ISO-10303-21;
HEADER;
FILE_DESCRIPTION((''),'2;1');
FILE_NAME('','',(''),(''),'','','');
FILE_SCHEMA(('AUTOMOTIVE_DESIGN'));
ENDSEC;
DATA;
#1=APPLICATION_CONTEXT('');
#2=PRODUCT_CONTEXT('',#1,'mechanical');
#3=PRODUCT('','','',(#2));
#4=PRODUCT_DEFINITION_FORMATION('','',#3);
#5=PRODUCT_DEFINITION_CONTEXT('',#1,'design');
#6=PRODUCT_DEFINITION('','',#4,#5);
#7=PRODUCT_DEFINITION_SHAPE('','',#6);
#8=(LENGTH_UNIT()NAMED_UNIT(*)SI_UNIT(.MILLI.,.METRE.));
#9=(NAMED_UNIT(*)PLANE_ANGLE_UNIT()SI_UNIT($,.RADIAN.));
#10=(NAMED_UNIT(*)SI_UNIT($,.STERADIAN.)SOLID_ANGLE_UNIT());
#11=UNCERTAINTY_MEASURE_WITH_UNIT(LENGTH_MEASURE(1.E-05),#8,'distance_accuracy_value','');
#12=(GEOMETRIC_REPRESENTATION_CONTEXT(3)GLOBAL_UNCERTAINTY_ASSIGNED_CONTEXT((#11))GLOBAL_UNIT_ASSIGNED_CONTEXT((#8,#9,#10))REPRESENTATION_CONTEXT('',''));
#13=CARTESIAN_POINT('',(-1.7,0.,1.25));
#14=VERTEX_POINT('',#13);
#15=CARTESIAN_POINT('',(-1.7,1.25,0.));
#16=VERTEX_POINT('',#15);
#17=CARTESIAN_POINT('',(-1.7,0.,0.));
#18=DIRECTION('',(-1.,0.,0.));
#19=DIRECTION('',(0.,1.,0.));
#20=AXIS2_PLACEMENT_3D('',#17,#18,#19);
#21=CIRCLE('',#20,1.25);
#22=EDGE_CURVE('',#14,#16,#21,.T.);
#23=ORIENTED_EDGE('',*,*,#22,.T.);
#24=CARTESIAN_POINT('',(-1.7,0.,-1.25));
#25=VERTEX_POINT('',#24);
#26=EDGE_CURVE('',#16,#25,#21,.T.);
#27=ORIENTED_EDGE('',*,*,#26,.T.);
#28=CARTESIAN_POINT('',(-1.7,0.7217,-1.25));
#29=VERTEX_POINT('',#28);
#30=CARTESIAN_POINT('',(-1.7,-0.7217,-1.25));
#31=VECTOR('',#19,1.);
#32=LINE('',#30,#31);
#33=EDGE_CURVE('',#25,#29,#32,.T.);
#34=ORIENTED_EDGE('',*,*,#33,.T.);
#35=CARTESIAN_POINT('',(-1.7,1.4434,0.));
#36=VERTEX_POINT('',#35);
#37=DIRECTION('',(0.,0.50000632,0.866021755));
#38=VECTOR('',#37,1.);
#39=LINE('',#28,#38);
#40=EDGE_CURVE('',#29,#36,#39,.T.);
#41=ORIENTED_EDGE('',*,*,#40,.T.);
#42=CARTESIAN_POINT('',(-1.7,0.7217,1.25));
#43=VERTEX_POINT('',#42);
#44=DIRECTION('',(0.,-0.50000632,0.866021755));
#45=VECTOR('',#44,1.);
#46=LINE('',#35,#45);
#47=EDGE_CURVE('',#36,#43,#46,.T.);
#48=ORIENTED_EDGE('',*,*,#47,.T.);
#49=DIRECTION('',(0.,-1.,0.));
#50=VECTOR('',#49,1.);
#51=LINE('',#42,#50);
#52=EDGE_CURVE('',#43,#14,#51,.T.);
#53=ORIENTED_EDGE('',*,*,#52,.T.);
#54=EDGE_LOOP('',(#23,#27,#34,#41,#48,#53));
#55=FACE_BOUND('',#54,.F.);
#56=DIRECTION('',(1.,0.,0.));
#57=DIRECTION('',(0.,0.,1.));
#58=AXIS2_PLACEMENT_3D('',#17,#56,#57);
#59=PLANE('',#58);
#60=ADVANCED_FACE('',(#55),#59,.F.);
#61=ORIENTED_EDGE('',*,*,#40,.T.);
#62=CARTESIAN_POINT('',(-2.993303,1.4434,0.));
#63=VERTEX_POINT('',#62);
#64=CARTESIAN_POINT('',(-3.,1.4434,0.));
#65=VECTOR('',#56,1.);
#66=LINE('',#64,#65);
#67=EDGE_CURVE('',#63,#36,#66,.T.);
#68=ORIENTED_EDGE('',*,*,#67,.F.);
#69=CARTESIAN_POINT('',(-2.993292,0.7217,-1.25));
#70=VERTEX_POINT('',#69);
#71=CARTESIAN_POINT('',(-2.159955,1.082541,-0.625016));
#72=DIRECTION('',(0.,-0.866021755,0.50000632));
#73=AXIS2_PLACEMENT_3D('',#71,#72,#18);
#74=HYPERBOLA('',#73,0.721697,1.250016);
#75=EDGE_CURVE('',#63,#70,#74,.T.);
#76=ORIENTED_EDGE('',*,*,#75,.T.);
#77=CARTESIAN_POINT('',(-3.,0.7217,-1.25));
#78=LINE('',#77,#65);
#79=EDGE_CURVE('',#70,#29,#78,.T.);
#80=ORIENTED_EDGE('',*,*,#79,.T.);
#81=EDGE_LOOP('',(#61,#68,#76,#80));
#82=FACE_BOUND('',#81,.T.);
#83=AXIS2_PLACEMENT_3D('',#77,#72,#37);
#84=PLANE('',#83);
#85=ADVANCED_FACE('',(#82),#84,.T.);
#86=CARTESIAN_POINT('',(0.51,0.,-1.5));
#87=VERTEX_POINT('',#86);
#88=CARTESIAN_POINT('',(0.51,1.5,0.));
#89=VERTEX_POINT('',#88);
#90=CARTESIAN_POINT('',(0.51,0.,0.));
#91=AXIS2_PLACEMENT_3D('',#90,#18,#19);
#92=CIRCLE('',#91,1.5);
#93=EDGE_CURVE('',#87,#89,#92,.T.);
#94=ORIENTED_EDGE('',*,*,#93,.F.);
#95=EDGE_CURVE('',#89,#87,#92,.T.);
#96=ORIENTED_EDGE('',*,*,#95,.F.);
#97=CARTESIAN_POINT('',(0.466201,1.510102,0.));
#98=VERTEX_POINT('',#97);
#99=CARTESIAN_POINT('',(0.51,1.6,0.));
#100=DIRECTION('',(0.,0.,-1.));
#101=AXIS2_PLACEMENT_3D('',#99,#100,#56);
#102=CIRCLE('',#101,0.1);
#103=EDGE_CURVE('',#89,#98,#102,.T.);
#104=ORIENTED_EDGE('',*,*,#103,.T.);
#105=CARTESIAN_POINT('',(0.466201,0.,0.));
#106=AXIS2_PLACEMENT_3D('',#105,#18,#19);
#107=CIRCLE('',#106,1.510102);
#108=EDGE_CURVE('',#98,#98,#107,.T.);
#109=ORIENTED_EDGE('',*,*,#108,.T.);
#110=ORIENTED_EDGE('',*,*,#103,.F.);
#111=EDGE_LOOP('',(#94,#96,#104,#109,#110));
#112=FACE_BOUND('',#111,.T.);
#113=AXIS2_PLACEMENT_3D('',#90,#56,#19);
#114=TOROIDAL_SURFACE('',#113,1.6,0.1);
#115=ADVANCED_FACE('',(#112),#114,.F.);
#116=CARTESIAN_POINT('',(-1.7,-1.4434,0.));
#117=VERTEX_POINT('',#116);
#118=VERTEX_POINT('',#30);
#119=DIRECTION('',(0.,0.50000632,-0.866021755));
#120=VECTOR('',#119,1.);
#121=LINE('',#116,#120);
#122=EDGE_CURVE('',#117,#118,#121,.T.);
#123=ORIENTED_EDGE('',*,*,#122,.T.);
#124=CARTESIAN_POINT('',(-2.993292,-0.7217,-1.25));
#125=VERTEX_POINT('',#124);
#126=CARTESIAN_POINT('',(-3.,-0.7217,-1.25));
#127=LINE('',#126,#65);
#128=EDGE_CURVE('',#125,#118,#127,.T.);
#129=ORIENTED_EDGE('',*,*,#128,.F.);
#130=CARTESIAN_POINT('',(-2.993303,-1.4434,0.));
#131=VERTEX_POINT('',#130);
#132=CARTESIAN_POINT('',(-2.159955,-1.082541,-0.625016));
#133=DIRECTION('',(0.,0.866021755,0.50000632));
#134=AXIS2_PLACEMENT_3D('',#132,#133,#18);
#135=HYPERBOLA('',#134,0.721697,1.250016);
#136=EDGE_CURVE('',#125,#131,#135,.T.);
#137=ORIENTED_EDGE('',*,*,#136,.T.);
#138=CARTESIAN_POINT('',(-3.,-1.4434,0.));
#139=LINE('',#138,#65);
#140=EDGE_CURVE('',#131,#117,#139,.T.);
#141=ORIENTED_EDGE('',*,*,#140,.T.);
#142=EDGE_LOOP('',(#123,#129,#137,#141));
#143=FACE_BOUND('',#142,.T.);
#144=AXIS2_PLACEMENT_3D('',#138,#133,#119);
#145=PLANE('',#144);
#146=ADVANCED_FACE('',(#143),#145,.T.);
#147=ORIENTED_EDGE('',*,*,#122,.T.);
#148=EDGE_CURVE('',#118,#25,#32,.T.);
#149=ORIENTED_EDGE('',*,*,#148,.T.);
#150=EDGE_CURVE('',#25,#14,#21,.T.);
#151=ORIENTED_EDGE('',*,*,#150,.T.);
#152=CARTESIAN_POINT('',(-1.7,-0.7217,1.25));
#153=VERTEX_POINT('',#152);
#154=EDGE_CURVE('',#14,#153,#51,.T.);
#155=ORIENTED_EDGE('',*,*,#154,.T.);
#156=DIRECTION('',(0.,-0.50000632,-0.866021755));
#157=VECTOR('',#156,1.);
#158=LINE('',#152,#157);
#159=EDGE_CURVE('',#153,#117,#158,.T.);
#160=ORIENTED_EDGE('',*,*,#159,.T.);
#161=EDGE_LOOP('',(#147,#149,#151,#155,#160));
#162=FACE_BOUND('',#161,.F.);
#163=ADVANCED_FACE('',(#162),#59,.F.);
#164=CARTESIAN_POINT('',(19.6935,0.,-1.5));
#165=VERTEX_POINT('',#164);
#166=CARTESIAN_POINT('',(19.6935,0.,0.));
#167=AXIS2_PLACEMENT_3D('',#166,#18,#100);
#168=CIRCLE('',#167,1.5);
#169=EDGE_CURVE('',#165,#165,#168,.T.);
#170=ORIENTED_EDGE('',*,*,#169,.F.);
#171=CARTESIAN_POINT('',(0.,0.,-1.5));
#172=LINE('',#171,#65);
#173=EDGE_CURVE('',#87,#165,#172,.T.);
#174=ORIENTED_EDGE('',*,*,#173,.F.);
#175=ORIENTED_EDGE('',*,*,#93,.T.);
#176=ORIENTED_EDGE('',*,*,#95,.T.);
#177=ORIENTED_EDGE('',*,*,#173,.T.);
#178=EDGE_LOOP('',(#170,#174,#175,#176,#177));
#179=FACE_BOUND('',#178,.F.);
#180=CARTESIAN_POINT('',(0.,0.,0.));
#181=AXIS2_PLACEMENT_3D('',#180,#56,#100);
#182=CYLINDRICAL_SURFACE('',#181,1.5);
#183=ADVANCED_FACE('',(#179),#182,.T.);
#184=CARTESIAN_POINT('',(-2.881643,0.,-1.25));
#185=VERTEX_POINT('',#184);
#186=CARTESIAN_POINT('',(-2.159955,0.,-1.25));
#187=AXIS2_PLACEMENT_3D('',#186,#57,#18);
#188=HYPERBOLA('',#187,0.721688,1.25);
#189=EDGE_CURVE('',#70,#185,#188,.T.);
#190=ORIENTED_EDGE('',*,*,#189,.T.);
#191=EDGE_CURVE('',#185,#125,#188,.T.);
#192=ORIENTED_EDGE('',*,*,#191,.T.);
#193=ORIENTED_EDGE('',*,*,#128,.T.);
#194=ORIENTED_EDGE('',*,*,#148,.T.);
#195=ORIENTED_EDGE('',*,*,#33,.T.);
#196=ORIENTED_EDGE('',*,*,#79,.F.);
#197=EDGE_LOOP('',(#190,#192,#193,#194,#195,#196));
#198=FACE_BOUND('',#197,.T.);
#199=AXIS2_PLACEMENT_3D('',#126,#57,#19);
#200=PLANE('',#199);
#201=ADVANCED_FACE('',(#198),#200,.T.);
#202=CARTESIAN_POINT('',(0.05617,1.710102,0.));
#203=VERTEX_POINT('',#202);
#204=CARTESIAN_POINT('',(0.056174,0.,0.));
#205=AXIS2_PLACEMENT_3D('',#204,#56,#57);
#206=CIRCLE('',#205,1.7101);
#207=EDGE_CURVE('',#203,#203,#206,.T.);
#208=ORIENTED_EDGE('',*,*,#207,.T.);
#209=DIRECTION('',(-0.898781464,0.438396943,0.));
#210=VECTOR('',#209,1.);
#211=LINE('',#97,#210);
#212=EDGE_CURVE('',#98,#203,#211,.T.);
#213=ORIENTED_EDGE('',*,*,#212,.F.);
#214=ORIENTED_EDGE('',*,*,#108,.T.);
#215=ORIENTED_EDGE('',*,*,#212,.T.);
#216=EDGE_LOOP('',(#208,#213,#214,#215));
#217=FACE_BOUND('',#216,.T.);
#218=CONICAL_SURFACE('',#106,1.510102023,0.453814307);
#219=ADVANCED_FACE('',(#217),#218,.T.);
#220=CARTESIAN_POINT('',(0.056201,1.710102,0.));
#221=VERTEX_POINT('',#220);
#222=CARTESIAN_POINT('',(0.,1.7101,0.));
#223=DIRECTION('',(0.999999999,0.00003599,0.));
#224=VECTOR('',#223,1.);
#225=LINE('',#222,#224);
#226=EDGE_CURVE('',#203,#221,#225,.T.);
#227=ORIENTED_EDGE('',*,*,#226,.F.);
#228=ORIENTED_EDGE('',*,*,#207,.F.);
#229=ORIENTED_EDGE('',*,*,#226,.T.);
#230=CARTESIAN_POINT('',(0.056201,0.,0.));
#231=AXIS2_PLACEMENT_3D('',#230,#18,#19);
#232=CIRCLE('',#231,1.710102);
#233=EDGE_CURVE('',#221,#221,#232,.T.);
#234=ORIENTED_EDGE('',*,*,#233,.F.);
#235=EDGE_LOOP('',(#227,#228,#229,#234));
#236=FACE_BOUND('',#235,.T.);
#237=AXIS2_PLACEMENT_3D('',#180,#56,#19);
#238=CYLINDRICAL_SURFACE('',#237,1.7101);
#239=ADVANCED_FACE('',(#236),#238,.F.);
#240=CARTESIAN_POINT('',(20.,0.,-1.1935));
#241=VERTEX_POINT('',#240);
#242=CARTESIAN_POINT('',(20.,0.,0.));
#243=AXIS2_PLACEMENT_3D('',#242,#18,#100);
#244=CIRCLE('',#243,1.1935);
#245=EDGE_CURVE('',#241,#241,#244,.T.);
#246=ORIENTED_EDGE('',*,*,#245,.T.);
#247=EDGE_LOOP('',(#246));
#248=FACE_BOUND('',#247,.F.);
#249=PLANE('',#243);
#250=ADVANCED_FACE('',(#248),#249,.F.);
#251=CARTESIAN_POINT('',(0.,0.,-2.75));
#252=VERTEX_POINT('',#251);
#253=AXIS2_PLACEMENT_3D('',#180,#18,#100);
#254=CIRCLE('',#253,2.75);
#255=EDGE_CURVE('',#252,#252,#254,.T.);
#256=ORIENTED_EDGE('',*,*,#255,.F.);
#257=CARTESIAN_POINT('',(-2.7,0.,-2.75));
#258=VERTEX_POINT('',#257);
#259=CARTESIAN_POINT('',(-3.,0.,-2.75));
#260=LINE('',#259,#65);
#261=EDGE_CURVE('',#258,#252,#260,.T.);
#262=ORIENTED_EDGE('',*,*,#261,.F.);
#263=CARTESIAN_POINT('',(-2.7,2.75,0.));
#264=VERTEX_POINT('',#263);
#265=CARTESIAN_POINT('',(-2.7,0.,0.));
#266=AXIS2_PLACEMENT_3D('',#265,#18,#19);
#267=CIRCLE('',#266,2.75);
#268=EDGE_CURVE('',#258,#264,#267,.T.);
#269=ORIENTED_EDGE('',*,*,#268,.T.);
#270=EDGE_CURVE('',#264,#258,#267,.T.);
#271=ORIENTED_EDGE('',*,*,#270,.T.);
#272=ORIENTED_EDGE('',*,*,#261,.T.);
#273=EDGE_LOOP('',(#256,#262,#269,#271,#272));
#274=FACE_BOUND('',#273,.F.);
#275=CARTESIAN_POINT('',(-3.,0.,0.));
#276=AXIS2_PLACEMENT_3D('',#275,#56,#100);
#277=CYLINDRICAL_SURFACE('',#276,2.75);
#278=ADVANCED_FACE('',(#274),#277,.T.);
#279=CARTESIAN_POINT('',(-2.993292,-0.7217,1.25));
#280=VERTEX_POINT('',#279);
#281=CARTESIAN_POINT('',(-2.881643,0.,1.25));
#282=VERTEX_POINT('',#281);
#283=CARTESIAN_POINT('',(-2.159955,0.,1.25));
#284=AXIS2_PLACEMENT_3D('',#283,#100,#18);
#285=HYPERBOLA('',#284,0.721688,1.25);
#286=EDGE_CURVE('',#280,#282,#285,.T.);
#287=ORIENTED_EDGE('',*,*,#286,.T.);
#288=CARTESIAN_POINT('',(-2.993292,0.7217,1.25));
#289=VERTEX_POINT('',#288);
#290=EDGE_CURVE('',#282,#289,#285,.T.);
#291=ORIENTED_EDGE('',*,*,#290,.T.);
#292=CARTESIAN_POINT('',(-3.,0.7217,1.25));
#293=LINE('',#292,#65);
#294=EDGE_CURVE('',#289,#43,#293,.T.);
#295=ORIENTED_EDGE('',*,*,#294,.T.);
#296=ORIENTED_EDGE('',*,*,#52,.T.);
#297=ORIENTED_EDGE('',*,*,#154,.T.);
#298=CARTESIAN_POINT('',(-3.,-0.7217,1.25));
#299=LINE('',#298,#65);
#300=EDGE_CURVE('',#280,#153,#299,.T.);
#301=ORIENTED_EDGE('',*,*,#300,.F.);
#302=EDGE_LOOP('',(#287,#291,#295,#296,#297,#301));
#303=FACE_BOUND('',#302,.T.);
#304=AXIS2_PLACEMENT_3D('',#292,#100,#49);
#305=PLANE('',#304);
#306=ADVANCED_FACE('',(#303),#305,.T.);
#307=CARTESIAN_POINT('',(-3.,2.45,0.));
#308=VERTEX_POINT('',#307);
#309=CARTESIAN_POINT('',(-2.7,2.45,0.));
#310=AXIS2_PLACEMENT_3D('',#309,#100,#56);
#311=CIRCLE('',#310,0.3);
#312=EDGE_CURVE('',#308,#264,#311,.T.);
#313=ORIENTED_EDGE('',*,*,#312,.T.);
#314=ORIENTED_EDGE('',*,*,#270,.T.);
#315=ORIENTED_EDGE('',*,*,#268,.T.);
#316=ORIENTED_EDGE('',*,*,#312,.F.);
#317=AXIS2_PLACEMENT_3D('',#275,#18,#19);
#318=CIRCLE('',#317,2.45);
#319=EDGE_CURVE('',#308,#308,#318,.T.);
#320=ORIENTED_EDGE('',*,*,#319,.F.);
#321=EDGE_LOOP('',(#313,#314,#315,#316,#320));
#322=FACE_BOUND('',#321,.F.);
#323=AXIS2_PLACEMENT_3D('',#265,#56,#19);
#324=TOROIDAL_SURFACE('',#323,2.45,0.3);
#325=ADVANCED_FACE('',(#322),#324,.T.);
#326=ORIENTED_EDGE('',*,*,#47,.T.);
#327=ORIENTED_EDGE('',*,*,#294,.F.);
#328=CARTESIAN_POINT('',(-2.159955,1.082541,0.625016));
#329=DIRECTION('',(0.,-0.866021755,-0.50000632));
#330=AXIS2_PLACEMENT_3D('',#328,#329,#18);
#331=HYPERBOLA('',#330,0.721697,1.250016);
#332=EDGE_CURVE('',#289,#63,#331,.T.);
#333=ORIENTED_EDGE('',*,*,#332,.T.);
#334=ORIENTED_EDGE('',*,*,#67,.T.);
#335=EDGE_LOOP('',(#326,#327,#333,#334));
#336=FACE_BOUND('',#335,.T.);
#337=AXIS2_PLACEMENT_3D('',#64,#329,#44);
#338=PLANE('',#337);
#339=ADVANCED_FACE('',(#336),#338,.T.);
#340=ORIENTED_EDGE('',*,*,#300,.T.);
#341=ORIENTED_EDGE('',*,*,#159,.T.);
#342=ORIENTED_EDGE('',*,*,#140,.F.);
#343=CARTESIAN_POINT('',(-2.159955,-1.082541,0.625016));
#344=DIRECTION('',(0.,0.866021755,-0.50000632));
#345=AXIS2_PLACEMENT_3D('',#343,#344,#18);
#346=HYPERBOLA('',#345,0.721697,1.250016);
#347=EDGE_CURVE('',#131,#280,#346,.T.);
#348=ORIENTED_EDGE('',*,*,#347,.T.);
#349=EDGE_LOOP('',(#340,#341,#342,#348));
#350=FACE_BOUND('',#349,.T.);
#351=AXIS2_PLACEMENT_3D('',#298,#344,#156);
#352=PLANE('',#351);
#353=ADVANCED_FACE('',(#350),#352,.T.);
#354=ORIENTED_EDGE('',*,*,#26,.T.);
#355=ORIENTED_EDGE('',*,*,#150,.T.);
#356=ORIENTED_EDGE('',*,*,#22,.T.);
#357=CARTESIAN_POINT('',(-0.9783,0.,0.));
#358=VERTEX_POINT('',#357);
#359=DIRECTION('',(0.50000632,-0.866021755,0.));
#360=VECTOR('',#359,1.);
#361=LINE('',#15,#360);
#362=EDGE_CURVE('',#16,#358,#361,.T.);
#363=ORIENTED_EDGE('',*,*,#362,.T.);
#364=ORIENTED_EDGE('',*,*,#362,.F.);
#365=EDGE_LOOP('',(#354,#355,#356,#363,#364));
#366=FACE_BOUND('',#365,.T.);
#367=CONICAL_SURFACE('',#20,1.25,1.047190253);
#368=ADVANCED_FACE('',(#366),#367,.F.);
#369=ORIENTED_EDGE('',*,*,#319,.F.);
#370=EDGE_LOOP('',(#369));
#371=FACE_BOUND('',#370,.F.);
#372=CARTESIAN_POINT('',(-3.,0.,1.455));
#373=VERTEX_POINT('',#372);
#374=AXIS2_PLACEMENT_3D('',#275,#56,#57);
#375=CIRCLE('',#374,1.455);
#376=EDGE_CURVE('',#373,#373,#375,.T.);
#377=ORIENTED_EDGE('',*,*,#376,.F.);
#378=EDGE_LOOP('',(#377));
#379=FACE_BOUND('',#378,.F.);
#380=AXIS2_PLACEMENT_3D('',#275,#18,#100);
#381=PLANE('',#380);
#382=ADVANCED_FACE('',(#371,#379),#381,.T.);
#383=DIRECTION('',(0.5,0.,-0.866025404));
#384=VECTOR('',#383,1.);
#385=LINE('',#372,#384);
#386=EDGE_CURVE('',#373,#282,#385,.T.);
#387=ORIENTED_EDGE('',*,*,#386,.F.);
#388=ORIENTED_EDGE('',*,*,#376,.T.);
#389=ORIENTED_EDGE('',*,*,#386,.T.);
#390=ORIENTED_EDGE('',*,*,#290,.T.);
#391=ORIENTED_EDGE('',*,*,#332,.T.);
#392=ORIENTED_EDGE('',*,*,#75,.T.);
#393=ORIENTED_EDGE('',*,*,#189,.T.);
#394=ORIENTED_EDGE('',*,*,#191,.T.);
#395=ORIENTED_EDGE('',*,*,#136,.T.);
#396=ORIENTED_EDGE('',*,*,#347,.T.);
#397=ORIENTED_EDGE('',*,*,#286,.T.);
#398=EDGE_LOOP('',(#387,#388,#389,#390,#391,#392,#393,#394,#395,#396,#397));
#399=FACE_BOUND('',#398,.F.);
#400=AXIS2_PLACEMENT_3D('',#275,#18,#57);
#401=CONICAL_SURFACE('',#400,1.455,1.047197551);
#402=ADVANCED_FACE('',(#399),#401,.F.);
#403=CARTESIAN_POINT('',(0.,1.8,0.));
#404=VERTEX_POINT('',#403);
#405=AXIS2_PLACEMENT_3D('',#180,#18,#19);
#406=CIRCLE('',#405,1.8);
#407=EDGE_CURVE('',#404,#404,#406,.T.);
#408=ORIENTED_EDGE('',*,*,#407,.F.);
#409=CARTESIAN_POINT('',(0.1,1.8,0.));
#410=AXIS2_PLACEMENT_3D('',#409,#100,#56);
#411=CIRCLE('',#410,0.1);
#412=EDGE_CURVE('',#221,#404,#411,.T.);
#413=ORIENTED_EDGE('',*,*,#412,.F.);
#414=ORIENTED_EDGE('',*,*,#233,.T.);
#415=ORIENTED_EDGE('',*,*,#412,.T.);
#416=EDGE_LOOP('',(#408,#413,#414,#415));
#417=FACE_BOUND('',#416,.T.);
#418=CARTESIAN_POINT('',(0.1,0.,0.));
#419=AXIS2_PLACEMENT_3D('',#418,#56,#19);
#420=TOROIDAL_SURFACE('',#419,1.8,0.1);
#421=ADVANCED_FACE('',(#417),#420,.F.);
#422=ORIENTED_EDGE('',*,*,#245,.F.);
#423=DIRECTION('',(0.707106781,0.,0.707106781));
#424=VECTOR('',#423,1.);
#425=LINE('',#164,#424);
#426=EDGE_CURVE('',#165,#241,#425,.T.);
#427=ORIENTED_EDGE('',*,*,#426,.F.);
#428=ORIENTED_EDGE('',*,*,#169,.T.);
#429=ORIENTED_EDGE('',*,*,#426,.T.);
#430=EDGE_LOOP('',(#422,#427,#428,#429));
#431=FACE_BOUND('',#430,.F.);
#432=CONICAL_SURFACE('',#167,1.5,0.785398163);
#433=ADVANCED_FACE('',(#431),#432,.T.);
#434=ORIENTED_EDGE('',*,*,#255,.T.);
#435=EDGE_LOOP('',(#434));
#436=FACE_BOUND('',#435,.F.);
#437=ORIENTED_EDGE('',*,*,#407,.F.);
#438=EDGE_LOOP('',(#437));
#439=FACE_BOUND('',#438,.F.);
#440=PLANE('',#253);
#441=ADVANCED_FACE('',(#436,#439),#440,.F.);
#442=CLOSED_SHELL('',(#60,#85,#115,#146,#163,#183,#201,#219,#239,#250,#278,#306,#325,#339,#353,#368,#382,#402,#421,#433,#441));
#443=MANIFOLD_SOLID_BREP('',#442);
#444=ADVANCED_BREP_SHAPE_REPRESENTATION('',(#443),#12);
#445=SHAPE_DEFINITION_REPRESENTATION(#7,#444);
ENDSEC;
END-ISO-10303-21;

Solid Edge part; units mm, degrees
sketch "Sketch1" plane through (0, 0, 0) normal (0, -1, 0) x (1, 0, 0)
  line L0 (-3, 0) -> (-3, -2.75)
  line L1 (-3, -2.75) -> (0, -2.75)
  line L2 (0, -2.75) -> (0, -1.5)
  line L3 (0, -1.5) -> (19.6935, -1.5)
  line L4 (19.6935, -1.5) -> (20, -1.1935)
  line L5 (20, -1.1935) -> (20, 0)
  line L6 (20, 0) -> (-3, 0)
revolve "RevolvedProtrusion1" add sketch "Sketch1" angle 360 about axis through (20, 0, 0) along (-1, 0, 0)
cosmetic_thread "Thread_1" size "M3" thread depth 18.5
sketch "Sketch2" plane through (0, 0, 0) normal (0, 0, 1) x (1, 0, 0)
  line L0 (0, 1.4) -> (0.51, 1.4)
  line L1 (0.51, 1.4) -> (0.51, 1.5)
  arc A0 (0.51, 1.5) -> (0.4662, 1.5101) centre (0.51, 1.6) cw
  line L2 (0.4662, 1.5101) -> (0, 1.7375)
  line L3 (0, 1.7375) -> (0, 1.4)
revolve "RevolvedProtrusion2" add sketch "Sketch2" angle 360 about axis through (0.51, 0, 0) along (-1, 0, 0)
sketch "Sketch3" plane through (0, 0, 0) normal (0, 0, 1) x (1, 0, 0)
  line L0 (0, 1.7101) -> (0.0562, 1.7101)
  arc A0 (0.0562, 1.7101) -> (0, 1.8) centre (0.1, 1.8) cw
  line L1 (0, 1.8) -> (0, 1.7101)
revolve "RevolvedProtrusion3" add sketch "Sketch3" angle 360 about axis through (20, 0, 0) along (-1, 0, 0)
hole "Hole_1" at (-3, 0, 0) direction (1, 0, 0) diameter 2.5 depth 1.3 countersink diameter 2.91 countersink angle 120
sketch "Sketch4" plane through (0, 0, 0) normal (0, 0, 1) x (1, 0, 0)
  line L0 (-3.1, 2.45) -> (-3, 2.45)
  arc A0 (-3, 2.45) -> (-2.7, 2.75) centre (-2.7, 2.45) cw
  line L1 (-2.7, 2.75) -> (-2.7, 2.85)
  line L2 (-2.7, 2.85) -> (-3.1, 2.85)
  line L3 (-3.1, 2.85) -> (-3.1, 2.45)
revolve "RevolvedCutout1" cut sketch "Sketch4" angle 360 about axis through (-2.7, 0, 0) along (-1, 0, 0)
sketch "Sketch5" plane through (-3, 0, 0) normal (1, 0, 0) x (0, 1, 0)
  line L0 (-0.7217, 1.25) -> (-1.4434, 0)
  line L1 (-1.4434, 0) -> (-0.7217, -1.25)
  line L2 (-0.7217, -1.25) -> (0.7217, -1.25)
  line L3 (0.7217, -1.25) -> (1.4434, 0)
  line L4 (1.4434, 0) -> (0.7217, 1.25)
  line L5 (0.7217, 1.25) -> (-0.7217, 1.25)
extrude "ExtrudedCutout_1" cut sketch "Sketch5" along normal blind 1.3
sketch "Sketch6" plane through (0, 0, 0) normal (0, 0, 1) x (1, 0, 0)
  line L0 (-1.7, 0) -> (-1.7, 1.25)
  line L1 (-1.7, 1.25) -> (-0.9783, 0)
  line L2 (-0.9783, 0) -> (-1.7, 0)
revolve "RevolvedCutout2" cut sketch "Sketch6" angle 360 about axis through (-0.9783, 0, 0) along (-1, 0, 0)
properties part number "Cylinder head screw DIN 912 M3x20 07065.030.020(High)"
